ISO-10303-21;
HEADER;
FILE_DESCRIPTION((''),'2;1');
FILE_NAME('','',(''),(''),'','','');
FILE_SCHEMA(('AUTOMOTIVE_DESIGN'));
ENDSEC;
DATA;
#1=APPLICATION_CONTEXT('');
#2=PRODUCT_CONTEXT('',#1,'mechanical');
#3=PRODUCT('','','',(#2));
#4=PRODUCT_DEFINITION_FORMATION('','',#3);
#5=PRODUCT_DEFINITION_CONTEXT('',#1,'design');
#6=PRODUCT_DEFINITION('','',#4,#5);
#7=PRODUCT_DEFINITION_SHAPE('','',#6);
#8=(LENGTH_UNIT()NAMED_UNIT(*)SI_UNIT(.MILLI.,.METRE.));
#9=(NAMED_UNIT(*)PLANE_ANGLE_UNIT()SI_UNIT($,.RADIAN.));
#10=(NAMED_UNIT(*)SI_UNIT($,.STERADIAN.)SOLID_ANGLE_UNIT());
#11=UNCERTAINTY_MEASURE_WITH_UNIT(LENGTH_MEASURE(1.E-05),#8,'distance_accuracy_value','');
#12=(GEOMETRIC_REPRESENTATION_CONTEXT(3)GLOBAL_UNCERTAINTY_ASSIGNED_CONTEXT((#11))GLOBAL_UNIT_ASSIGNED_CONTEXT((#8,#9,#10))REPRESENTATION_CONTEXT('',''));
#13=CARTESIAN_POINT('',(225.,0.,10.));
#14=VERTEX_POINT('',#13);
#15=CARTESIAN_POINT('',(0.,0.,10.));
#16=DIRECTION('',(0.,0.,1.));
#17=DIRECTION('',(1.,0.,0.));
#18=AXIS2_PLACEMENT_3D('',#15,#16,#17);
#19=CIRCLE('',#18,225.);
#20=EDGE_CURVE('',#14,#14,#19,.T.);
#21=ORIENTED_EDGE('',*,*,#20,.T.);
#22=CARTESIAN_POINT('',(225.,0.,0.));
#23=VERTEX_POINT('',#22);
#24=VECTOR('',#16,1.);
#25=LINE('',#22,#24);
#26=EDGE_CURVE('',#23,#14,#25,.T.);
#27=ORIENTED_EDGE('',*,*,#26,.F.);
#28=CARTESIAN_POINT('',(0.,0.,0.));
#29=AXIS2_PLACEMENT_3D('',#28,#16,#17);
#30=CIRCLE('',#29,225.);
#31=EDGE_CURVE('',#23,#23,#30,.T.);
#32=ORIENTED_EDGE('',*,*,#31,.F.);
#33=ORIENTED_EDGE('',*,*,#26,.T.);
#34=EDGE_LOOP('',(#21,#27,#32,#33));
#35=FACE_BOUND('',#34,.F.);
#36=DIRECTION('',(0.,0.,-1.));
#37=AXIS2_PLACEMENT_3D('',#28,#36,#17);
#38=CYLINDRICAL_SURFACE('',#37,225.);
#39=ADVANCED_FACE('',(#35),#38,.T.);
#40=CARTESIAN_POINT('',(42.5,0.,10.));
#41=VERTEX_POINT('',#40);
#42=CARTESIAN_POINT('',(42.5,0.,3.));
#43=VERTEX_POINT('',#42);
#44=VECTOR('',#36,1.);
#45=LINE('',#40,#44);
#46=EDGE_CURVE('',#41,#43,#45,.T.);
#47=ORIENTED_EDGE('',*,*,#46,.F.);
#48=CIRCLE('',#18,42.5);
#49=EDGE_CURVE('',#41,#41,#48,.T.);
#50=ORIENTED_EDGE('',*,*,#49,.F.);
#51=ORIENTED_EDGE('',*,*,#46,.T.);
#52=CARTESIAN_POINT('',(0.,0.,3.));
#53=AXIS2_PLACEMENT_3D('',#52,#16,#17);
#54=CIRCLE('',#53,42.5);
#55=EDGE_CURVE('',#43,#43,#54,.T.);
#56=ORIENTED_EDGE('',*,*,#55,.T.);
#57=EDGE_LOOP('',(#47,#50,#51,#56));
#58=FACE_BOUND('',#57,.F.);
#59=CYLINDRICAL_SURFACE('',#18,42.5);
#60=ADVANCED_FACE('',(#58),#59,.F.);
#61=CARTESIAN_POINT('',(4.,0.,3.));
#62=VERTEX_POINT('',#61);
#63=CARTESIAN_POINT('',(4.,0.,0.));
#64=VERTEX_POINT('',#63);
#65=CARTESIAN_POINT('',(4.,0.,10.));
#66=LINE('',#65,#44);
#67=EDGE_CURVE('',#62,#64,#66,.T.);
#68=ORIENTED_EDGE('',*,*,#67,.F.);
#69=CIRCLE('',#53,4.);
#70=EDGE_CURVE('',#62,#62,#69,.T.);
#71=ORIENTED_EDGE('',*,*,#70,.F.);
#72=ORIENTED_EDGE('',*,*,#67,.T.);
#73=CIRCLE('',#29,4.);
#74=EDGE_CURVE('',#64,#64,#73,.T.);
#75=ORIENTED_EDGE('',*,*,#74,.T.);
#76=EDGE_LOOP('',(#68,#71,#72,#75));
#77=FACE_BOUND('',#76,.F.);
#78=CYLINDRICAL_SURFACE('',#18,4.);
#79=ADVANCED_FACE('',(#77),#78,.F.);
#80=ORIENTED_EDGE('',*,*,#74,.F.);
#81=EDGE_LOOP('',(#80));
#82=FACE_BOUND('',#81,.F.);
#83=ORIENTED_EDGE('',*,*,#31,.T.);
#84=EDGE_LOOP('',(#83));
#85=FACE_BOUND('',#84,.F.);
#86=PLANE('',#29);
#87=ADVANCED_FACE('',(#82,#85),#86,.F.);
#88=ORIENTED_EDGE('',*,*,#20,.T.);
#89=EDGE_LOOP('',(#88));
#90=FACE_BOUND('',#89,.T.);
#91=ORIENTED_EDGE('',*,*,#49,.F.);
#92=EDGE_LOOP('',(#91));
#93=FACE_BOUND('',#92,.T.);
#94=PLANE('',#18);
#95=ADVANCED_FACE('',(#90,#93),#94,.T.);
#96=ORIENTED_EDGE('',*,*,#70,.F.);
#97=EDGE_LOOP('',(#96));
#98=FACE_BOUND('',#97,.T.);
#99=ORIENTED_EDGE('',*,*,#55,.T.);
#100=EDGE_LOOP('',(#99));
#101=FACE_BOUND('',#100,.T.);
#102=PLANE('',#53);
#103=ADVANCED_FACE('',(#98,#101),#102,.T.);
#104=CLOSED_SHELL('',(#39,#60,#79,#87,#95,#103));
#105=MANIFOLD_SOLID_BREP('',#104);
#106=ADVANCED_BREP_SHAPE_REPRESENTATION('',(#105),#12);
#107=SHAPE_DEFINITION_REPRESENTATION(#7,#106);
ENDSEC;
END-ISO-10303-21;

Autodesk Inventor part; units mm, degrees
ref_plane "YZ Plane" through (0, 0, 0) normal (1, 0, 0) x (0, 1, 0)
ref_plane "XZ Plane" through (0, 0, 0) normal (0, 1, 0) x (-1, 0, 0)
ref_plane "XY Plane" through (0, 0, 0) normal (0, 0, 1) x (1, 0, 0)
sketch "Sketch1" plane through (0, 0, 0) normal (0, 0, 1) x (1, 0, 0)
  circle A0 centre (0, 0) radius 225
  dimension "d0" = 450
extrude "Extrusion1" add sketch "Sketch1" along normal blind 10
sketch "Sketch2" plane through (0, 0, 10) normal (0, 0, 1) x (1, 0, 0)
  circle A0 centre (0, 0) radius 4
  dimension "d3" = 8
extrude "Extrusion2" cut sketch "Sketch2" against normal up to next
sketch "Sketch3" plane through (0, 0, 10) normal (0, 0, 1) x (1, 0, 0)
  circle A0 centre (0, 0) radius 4 projected
  circle A1 centre (0, 0) radius 42.5
  dimension "d6" = 85
extrude "Extrusion3" cut sketch "Sketch3" against normal blind 7
properties part number "DiscoAzimute" material "Nickel-Copper Alloy 400"
